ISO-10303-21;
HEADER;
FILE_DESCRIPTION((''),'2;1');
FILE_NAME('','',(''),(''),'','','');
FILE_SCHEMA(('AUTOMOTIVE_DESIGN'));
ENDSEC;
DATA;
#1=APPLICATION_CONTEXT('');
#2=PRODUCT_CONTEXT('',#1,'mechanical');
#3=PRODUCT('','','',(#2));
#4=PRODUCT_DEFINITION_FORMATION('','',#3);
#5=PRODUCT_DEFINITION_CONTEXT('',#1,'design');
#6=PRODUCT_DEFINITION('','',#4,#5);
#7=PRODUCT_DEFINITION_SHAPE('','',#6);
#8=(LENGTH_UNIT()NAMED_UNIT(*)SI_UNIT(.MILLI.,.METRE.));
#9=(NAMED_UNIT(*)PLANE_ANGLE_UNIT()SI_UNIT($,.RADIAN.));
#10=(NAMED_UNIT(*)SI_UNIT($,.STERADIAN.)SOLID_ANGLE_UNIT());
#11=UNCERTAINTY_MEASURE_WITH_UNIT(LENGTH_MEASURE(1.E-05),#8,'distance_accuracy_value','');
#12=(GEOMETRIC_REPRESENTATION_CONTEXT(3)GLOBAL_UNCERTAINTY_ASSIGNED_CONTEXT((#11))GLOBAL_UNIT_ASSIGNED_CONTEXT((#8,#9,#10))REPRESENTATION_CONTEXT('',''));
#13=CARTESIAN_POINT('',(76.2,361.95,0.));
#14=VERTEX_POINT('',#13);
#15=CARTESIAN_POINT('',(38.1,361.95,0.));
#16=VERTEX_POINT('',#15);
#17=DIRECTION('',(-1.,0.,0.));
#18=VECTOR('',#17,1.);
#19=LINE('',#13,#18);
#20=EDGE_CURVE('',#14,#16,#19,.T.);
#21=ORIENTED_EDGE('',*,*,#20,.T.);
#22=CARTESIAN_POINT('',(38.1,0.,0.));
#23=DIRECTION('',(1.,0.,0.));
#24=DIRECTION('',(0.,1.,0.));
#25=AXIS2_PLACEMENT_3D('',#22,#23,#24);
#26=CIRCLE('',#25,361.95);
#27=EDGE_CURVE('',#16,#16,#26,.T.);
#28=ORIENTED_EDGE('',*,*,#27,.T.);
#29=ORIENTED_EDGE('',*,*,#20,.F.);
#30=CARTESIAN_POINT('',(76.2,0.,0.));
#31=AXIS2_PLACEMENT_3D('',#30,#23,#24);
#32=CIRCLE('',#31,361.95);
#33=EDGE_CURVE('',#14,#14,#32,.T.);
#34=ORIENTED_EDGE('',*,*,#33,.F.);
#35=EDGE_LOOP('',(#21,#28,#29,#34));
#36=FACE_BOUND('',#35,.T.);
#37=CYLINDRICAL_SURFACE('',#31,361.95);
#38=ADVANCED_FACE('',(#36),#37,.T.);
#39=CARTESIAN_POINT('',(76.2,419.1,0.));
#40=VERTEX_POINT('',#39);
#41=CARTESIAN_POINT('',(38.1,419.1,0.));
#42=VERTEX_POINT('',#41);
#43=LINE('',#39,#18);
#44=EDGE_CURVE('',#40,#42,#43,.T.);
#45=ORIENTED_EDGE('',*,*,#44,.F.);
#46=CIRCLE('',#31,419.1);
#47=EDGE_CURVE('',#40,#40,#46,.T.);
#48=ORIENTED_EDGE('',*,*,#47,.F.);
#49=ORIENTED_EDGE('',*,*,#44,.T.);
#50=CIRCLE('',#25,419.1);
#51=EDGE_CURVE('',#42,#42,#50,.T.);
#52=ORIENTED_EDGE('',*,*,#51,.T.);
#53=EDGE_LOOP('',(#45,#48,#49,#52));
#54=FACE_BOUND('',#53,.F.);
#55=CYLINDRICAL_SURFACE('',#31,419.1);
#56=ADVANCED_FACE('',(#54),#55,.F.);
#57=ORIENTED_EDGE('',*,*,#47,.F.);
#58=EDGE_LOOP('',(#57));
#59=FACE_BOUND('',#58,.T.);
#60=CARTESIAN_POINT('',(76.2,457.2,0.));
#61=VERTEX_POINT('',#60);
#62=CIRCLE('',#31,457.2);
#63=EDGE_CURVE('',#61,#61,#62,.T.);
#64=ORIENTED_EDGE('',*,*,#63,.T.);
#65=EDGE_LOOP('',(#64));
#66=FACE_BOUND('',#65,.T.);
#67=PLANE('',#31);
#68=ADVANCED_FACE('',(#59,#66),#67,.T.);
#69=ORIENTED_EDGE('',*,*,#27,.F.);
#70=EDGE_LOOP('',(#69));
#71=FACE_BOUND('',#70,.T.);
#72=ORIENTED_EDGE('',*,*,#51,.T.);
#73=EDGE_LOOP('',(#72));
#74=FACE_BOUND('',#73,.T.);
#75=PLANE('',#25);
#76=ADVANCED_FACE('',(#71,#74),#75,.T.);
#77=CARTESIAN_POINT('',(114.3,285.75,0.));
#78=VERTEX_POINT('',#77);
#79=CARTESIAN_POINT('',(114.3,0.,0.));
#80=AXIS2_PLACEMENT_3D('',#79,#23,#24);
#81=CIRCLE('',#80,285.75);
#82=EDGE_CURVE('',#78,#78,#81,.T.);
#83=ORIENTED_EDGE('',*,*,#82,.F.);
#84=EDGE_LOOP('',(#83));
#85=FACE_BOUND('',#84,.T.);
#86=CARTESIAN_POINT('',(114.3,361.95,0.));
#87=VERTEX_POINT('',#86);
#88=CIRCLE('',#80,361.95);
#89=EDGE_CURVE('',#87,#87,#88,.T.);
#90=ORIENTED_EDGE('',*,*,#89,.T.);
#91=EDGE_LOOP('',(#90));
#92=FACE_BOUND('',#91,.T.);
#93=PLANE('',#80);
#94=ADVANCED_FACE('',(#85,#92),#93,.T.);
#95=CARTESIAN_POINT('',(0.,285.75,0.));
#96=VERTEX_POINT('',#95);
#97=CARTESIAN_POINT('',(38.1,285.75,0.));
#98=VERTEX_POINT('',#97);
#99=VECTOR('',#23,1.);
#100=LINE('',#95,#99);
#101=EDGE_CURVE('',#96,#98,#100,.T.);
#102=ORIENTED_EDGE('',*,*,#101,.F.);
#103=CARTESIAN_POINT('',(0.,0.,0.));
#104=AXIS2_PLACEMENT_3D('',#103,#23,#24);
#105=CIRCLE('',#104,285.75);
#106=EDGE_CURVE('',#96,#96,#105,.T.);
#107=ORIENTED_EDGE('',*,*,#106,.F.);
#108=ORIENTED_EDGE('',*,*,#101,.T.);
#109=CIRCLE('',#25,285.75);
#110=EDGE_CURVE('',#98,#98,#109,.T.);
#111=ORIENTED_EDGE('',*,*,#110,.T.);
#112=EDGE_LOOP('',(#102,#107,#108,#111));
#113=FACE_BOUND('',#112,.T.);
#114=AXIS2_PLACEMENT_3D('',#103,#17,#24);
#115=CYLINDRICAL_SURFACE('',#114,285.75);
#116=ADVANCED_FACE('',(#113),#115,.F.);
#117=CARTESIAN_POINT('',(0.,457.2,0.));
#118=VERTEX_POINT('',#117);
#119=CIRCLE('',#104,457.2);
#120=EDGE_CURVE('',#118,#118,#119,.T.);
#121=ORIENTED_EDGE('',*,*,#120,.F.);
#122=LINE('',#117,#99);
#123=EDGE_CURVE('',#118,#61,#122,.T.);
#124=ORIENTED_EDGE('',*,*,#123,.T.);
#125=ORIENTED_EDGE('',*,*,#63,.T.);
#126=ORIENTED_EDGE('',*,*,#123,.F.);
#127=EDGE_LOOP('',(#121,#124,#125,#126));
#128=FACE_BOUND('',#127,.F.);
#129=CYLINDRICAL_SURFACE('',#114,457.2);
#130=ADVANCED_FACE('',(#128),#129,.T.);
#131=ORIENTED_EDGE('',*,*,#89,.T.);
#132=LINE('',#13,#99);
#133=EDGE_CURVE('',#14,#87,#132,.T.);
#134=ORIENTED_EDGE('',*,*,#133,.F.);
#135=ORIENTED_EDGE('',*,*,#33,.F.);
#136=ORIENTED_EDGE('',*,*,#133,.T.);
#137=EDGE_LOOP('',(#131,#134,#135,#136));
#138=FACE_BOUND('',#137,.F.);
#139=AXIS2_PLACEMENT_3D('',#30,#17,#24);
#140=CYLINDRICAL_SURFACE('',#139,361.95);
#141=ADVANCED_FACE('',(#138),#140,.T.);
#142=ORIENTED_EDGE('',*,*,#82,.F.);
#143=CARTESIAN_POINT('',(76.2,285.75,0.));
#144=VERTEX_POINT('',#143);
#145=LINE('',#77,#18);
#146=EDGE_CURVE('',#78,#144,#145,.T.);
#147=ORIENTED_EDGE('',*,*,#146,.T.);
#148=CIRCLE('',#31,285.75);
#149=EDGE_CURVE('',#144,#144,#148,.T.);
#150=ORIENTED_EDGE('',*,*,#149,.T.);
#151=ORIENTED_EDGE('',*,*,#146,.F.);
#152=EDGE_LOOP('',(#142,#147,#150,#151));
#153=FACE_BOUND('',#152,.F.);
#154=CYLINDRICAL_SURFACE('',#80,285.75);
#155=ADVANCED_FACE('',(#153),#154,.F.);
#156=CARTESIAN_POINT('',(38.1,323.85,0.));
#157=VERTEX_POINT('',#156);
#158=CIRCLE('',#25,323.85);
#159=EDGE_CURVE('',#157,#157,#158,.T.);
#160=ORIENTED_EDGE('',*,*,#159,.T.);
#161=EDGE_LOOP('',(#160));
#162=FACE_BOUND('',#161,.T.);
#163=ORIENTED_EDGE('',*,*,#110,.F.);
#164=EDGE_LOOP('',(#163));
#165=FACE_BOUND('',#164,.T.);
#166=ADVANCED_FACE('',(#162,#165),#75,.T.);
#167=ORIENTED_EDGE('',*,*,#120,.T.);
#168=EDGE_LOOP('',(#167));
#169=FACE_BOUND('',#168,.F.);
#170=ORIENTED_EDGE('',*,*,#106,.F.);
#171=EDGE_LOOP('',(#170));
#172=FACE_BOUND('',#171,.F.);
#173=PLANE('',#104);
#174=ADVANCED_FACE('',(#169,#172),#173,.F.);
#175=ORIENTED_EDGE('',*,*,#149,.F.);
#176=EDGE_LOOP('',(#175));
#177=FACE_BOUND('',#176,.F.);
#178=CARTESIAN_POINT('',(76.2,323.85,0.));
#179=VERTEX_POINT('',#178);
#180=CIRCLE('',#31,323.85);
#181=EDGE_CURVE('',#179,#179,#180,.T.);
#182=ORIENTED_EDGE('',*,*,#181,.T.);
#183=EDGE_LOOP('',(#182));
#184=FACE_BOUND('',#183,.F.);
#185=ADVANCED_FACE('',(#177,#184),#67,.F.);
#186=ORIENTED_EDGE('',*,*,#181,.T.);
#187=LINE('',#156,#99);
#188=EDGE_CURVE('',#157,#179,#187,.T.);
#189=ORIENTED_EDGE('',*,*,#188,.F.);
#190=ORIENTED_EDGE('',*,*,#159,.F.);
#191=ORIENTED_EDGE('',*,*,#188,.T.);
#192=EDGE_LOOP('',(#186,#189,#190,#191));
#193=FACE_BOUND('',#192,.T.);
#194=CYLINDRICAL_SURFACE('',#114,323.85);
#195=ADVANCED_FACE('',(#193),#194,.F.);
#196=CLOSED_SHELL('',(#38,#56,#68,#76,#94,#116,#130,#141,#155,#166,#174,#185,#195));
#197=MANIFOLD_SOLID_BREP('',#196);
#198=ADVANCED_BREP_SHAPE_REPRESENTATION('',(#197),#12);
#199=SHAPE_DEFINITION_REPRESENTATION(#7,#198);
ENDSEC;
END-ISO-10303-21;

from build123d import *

# Parameters (mm, degrees)
F0_R     = 457.2
F0_R_2   = 419.1
F0_R_3   = 361.95
F0_R_4   = 323.85
F1_DEPTH = 76.2
F2_R     = 419.1
F2_R_2   = 361.95
F3_DEPTH = 38.1
F4_DEPTH = 38.1
F5_R     = 323.85
F5_R_2   = 285.75
F6_DEPTH = 38.1
F7_R     = 323.85
F7_R_2   = 285.75
F8_DEPTH = 38.1


with BuildPart() as f1:
    # F0 (on Right) → F1 (new body)
    with BuildSketch(Plane.YZ):
        Circle(F0_R)
        Circle(F0_R_2, mode=Mode.SUBTRACT)
        Circle(F0_R_2)
        Circle(F0_R_3, mode=Mode.SUBTRACT)
        Circle(F0_R_3)
        Circle(F0_R_4, mode=Mode.SUBTRACT)
    extrude(amount=F1_DEPTH)

    # F2 (on face) → F3 (cut)
    with BuildSketch(Plane.YZ.offset(76.2)):
        Circle(F2_R)
        Circle(F2_R_2, mode=Mode.SUBTRACT)
    extrude(amount=-F3_DEPTH, mode=Mode.SUBTRACT)

    # F4 (add): a face of the model
    f4_faces = [f1.faces().sort_by_distance(p)[0] for p in [
        (76.2, -351.712508022, 0),
    ]]
    extrude(f4_faces, amount=F4_DEPTH)

    # F5 (on Right) → F6 (join)
    with BuildSketch(Plane.YZ):
        Circle(F5_R)
        Circle(F5_R_2, mode=Mode.SUBTRACT)
    extrude(amount=F6_DEPTH)

    # F7 (on face) → F8 (join)
    with BuildSketch(Plane.YZ.offset(114.3)):
        Circle(F7_R)
        Circle(F7_R_2, mode=Mode.SUBTRACT)
    extrude(amount=-F8_DEPTH)


solid = f1.part
